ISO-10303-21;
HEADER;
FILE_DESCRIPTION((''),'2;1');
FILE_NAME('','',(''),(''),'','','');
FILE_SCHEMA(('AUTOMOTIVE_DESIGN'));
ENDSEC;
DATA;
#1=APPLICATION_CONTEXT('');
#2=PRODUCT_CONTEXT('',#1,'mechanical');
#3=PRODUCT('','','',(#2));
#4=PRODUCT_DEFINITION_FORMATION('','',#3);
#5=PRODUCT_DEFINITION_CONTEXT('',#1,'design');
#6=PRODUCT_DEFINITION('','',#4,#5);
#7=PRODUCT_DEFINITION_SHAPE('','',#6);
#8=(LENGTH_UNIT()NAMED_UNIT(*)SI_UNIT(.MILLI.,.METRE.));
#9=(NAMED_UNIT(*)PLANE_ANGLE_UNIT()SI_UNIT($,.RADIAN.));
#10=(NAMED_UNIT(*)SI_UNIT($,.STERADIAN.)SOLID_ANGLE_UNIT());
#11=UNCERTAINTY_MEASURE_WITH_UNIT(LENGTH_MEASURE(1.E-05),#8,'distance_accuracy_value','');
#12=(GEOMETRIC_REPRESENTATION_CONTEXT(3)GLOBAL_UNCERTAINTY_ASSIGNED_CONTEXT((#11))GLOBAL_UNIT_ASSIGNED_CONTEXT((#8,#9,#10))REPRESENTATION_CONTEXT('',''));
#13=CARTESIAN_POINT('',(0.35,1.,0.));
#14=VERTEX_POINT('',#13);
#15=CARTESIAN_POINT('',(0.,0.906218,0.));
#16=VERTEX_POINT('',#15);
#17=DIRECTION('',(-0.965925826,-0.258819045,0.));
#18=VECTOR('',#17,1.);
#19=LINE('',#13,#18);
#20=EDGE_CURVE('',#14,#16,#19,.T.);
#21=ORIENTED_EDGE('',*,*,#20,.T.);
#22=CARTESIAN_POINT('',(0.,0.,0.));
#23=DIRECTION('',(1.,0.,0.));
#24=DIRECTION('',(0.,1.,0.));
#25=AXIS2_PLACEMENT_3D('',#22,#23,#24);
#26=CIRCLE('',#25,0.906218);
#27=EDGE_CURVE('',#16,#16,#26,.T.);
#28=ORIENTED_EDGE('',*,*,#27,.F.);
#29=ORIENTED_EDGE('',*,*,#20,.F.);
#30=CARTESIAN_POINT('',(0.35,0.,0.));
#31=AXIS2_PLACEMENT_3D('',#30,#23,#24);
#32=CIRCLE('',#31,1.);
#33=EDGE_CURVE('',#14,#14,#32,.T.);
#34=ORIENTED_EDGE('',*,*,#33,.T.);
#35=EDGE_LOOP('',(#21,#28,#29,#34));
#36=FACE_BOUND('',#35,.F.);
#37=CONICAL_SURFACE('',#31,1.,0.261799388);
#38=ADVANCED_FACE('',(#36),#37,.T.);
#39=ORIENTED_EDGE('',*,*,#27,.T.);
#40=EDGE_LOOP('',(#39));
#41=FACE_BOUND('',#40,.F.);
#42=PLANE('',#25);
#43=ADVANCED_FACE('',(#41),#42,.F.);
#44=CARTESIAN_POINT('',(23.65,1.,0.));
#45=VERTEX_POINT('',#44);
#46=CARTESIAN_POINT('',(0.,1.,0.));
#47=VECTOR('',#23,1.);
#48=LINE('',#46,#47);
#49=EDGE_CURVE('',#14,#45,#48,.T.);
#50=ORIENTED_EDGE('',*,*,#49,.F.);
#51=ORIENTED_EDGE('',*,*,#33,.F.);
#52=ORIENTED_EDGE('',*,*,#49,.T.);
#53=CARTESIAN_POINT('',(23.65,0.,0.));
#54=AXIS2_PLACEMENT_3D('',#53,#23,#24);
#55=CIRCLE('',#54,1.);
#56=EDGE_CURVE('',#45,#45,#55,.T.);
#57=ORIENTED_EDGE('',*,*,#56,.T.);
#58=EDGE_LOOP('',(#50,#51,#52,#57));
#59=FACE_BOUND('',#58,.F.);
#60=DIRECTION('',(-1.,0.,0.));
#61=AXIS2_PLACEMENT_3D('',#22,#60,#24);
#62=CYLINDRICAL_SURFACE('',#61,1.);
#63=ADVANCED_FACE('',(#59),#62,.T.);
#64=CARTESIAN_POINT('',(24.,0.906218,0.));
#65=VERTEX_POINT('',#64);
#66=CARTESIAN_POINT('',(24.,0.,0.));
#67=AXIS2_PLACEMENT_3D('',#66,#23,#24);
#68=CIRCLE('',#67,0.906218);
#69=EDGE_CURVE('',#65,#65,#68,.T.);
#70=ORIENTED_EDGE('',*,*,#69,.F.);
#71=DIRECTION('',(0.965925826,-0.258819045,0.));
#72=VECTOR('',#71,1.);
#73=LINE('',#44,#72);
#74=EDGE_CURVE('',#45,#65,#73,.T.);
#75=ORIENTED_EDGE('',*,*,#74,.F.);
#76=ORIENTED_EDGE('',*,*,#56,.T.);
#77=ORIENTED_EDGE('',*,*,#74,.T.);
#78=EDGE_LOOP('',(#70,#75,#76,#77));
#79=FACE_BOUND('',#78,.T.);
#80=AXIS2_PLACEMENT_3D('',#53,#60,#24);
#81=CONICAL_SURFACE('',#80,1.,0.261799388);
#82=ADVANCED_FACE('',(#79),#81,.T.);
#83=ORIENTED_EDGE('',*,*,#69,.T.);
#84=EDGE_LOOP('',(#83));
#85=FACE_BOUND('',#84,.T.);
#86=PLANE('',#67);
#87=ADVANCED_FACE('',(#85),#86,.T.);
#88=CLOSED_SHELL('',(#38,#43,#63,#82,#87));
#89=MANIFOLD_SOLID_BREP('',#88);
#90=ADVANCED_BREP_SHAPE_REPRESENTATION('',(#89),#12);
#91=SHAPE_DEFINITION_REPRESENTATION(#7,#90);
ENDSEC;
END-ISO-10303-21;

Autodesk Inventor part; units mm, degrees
ref_plane "YZ Plane" through (0, 0, 0) normal (1, 0, 0) x (0, 1, 0)
ref_plane "XZ Plane" through (0, 0, 0) normal (0, 1, 0) x (-1, 0, 0)
ref_plane "XY Plane" through (0, 0, 0) normal (0, 0, 1) x (1, 0, 0)
sketch "Skizze" plane through (0, 0, 0) normal (1, 0, 0) x (0, 1, 0)
  circle A0 centre (0, 0) radius 1
  dimension "d1" = 2
extrude "Körper" add sketch "Skizze" along normal blind 24
chamfer "Fase1" distance 0.35 angle 15 1 edges at (0, -1, 0) measured on face at (16, 0.9871, -0.1604)
chamfer "Skizze2" distance 0.35 angle 15 1 edges at (24, -1, 0) measured on face at (16.1167, 0.9871, -0.1604)
equation "\"d1\" = NND"
equation "\"d2\" = NLG"
equation "\"d8\" = PHH"
equation "\"d9\" = FAWI"
equation "\"d12\" = PHH"
equation "\"d4\" = PHH"
equation "\"d5\" = FAWI"
equation "\"d11\" = PHH"
equation "\"NND\" = 2"
equation "\"NLG\" = 24"
equation "\"PHH\" = 0.35"
equation "\"FAWI\" = 15deg"
equation "\"KAH\" = 0"
properties part number "ISO 2338 - 2 h8 x 24" material "Edelstahl, austenitisch"
